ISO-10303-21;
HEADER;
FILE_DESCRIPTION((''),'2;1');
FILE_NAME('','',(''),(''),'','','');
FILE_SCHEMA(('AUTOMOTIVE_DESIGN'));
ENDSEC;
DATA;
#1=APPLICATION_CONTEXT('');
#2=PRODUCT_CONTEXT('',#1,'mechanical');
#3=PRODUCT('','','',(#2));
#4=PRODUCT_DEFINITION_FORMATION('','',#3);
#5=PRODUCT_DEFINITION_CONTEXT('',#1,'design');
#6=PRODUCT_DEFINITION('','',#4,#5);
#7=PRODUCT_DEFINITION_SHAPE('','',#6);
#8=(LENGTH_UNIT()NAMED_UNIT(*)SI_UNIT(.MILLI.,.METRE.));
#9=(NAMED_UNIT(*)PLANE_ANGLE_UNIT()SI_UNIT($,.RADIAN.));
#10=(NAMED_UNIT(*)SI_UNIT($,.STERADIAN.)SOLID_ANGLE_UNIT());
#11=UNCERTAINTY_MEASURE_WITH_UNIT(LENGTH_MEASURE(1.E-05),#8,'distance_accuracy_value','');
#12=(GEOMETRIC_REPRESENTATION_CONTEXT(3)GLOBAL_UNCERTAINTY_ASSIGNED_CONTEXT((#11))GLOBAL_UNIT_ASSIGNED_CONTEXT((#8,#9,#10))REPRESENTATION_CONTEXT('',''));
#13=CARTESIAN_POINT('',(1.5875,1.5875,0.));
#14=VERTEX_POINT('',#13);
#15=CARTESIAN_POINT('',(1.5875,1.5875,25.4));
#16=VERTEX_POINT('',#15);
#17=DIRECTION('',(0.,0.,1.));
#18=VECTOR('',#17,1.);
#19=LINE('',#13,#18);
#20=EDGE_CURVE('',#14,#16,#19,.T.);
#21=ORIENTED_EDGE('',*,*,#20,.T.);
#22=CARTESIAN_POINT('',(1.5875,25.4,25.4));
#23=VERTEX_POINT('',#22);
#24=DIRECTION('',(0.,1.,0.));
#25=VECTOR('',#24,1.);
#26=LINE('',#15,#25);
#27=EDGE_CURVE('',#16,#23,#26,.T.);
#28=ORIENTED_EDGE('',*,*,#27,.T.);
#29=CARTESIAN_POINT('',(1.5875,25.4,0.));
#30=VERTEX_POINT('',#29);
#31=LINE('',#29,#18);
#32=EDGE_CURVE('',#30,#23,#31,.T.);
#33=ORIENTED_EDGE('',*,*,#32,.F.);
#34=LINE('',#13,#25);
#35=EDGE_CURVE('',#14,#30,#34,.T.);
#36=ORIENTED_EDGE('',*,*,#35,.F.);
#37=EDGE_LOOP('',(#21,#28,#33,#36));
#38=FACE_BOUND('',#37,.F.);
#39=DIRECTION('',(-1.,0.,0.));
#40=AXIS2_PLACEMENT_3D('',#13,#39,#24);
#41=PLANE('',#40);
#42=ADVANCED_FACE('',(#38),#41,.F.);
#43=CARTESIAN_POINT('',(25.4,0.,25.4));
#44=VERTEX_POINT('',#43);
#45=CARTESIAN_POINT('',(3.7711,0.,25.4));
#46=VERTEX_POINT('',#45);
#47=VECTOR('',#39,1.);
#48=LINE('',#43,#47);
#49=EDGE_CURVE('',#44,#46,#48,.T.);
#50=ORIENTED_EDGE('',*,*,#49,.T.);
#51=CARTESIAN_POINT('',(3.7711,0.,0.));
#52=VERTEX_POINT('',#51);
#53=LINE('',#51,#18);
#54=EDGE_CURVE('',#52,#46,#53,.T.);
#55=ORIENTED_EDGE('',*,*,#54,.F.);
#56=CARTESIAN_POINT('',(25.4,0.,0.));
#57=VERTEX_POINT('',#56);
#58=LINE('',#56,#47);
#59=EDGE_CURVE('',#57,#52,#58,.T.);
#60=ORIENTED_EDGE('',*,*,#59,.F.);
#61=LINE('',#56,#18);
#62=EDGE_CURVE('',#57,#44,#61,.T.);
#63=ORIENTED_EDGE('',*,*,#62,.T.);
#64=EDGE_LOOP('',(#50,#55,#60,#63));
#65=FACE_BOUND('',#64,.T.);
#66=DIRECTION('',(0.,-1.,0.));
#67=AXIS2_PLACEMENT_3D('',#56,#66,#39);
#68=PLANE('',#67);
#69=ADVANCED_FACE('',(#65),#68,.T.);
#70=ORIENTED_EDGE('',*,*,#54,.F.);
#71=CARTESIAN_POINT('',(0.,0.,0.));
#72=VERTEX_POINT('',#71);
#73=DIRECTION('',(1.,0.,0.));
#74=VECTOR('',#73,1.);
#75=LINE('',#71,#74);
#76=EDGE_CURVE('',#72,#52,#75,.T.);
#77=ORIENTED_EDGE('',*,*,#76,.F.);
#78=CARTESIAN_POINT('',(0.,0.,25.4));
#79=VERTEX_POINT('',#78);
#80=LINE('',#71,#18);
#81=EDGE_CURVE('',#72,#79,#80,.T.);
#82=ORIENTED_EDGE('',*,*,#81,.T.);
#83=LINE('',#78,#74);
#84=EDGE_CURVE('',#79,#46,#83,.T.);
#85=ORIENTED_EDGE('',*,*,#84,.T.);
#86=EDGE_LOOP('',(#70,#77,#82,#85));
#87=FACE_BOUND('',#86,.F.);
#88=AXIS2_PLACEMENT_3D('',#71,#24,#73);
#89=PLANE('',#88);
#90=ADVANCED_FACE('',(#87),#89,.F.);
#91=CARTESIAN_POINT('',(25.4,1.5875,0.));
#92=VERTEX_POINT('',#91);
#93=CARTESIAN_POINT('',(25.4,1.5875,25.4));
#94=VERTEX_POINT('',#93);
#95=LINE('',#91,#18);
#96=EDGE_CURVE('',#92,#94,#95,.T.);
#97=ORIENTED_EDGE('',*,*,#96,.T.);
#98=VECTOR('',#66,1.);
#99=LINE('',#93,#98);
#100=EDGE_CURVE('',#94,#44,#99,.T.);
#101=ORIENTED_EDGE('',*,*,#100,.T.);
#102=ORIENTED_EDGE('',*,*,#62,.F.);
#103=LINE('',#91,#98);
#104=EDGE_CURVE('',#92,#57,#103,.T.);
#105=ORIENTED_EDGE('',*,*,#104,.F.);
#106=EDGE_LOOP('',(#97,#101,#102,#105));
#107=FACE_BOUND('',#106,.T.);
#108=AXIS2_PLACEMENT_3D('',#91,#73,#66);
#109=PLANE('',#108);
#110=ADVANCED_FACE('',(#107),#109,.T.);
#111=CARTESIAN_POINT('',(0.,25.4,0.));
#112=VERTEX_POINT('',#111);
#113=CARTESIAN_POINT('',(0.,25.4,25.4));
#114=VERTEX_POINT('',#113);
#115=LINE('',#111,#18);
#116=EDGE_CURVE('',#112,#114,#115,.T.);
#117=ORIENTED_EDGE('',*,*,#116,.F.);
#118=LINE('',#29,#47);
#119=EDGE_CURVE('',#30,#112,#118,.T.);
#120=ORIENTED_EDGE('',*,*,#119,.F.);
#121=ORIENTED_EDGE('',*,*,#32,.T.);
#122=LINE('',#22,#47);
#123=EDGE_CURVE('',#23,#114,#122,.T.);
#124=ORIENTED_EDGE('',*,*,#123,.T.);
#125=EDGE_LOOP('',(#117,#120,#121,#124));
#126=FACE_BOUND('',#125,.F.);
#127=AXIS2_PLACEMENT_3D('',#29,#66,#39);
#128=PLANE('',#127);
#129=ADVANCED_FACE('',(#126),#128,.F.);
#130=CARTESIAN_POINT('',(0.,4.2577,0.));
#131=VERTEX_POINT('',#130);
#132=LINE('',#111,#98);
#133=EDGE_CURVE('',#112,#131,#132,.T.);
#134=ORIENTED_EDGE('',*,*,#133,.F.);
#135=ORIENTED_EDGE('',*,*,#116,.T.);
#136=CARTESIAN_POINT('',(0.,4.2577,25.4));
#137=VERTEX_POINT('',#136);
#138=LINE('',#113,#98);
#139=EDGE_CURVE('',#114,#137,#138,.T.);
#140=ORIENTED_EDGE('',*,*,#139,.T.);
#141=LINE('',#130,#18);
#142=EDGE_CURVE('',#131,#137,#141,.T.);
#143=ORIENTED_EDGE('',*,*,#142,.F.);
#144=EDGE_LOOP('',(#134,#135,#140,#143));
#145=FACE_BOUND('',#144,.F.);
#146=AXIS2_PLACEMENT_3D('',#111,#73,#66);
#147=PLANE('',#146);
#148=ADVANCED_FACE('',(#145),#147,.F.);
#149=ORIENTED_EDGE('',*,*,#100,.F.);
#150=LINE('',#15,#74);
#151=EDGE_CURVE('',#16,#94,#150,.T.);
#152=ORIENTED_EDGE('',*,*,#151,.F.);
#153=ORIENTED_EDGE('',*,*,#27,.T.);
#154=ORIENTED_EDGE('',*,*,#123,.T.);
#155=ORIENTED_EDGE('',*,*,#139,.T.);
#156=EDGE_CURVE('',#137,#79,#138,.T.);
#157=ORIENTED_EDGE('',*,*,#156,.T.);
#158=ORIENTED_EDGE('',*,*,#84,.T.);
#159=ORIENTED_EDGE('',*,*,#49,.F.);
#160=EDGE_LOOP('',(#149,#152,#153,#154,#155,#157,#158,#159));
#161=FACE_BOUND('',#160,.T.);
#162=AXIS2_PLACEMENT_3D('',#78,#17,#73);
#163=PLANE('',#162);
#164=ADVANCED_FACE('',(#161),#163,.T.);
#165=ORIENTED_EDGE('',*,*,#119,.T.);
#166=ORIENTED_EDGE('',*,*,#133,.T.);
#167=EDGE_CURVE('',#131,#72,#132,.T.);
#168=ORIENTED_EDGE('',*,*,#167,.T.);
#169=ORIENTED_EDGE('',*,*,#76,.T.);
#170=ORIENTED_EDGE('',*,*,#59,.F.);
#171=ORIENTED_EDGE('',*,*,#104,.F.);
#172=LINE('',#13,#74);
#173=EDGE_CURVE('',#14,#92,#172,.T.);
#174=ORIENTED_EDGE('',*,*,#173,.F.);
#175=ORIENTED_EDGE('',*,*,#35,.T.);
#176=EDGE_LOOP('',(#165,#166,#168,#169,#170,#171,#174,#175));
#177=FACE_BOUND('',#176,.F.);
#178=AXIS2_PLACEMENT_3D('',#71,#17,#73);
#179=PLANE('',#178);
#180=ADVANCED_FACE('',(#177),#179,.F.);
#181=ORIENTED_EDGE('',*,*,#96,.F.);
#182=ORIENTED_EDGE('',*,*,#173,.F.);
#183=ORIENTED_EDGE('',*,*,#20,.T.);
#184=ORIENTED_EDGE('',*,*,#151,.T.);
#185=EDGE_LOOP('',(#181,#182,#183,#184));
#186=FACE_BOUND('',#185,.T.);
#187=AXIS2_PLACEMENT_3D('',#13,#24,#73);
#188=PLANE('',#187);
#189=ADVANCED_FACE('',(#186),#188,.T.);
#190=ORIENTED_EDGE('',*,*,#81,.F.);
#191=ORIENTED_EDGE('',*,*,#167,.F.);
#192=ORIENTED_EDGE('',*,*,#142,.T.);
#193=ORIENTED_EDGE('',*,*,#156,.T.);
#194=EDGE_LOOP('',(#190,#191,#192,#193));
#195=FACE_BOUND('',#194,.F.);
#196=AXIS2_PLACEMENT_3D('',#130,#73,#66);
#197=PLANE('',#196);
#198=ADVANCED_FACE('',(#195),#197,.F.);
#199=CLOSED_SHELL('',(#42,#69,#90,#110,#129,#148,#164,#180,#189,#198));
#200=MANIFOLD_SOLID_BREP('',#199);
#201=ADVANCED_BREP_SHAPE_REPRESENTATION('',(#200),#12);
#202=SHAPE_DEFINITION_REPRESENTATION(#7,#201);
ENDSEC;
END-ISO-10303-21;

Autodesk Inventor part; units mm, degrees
ref_plane "YZ Plane" through (0, 0, 0) normal (1, 0, 0) x (0, 1, 0)
ref_plane "XZ Plane" through (0, 0, 0) normal (0, 1, 0) x (-1, 0, 0)
ref_plane "XY Plane" through (0, 0, 0) normal (0, 0, 1) x (1, 0, 0)
sketch "Sketch1" plane through (0, 0, 0) normal (0, 0, 1) x (1, 0, 0)
  line L0 (0, 0) -> (3.7711, 0)
  line L1 (1.5875, 1.5875) -> (1.5875, 25.4)
  line L2 (1.5875, 25.4) -> (0, 25.4)
  line L3 (0, 25.4) -> (0, 0)
  line L4 (1.5875, 1.5875) -> (25.4, 1.5875)
  line L5 (25.4, 1.5875) -> (25.4, 0)
  line L6 (25.4, 0) -> (0, 0)
  line L7 (0, 0) -> (0, 4.2577)
  dimension "d0" = 25.4
  dimension "d1" = 25.4
  dimension "d2" = 1.5875
  dimension "d3" = 1.5875
extrude "Extrusion1" add sketch "Sketch1" along normal blind 25.4
properties part number "Lframe_corner"
